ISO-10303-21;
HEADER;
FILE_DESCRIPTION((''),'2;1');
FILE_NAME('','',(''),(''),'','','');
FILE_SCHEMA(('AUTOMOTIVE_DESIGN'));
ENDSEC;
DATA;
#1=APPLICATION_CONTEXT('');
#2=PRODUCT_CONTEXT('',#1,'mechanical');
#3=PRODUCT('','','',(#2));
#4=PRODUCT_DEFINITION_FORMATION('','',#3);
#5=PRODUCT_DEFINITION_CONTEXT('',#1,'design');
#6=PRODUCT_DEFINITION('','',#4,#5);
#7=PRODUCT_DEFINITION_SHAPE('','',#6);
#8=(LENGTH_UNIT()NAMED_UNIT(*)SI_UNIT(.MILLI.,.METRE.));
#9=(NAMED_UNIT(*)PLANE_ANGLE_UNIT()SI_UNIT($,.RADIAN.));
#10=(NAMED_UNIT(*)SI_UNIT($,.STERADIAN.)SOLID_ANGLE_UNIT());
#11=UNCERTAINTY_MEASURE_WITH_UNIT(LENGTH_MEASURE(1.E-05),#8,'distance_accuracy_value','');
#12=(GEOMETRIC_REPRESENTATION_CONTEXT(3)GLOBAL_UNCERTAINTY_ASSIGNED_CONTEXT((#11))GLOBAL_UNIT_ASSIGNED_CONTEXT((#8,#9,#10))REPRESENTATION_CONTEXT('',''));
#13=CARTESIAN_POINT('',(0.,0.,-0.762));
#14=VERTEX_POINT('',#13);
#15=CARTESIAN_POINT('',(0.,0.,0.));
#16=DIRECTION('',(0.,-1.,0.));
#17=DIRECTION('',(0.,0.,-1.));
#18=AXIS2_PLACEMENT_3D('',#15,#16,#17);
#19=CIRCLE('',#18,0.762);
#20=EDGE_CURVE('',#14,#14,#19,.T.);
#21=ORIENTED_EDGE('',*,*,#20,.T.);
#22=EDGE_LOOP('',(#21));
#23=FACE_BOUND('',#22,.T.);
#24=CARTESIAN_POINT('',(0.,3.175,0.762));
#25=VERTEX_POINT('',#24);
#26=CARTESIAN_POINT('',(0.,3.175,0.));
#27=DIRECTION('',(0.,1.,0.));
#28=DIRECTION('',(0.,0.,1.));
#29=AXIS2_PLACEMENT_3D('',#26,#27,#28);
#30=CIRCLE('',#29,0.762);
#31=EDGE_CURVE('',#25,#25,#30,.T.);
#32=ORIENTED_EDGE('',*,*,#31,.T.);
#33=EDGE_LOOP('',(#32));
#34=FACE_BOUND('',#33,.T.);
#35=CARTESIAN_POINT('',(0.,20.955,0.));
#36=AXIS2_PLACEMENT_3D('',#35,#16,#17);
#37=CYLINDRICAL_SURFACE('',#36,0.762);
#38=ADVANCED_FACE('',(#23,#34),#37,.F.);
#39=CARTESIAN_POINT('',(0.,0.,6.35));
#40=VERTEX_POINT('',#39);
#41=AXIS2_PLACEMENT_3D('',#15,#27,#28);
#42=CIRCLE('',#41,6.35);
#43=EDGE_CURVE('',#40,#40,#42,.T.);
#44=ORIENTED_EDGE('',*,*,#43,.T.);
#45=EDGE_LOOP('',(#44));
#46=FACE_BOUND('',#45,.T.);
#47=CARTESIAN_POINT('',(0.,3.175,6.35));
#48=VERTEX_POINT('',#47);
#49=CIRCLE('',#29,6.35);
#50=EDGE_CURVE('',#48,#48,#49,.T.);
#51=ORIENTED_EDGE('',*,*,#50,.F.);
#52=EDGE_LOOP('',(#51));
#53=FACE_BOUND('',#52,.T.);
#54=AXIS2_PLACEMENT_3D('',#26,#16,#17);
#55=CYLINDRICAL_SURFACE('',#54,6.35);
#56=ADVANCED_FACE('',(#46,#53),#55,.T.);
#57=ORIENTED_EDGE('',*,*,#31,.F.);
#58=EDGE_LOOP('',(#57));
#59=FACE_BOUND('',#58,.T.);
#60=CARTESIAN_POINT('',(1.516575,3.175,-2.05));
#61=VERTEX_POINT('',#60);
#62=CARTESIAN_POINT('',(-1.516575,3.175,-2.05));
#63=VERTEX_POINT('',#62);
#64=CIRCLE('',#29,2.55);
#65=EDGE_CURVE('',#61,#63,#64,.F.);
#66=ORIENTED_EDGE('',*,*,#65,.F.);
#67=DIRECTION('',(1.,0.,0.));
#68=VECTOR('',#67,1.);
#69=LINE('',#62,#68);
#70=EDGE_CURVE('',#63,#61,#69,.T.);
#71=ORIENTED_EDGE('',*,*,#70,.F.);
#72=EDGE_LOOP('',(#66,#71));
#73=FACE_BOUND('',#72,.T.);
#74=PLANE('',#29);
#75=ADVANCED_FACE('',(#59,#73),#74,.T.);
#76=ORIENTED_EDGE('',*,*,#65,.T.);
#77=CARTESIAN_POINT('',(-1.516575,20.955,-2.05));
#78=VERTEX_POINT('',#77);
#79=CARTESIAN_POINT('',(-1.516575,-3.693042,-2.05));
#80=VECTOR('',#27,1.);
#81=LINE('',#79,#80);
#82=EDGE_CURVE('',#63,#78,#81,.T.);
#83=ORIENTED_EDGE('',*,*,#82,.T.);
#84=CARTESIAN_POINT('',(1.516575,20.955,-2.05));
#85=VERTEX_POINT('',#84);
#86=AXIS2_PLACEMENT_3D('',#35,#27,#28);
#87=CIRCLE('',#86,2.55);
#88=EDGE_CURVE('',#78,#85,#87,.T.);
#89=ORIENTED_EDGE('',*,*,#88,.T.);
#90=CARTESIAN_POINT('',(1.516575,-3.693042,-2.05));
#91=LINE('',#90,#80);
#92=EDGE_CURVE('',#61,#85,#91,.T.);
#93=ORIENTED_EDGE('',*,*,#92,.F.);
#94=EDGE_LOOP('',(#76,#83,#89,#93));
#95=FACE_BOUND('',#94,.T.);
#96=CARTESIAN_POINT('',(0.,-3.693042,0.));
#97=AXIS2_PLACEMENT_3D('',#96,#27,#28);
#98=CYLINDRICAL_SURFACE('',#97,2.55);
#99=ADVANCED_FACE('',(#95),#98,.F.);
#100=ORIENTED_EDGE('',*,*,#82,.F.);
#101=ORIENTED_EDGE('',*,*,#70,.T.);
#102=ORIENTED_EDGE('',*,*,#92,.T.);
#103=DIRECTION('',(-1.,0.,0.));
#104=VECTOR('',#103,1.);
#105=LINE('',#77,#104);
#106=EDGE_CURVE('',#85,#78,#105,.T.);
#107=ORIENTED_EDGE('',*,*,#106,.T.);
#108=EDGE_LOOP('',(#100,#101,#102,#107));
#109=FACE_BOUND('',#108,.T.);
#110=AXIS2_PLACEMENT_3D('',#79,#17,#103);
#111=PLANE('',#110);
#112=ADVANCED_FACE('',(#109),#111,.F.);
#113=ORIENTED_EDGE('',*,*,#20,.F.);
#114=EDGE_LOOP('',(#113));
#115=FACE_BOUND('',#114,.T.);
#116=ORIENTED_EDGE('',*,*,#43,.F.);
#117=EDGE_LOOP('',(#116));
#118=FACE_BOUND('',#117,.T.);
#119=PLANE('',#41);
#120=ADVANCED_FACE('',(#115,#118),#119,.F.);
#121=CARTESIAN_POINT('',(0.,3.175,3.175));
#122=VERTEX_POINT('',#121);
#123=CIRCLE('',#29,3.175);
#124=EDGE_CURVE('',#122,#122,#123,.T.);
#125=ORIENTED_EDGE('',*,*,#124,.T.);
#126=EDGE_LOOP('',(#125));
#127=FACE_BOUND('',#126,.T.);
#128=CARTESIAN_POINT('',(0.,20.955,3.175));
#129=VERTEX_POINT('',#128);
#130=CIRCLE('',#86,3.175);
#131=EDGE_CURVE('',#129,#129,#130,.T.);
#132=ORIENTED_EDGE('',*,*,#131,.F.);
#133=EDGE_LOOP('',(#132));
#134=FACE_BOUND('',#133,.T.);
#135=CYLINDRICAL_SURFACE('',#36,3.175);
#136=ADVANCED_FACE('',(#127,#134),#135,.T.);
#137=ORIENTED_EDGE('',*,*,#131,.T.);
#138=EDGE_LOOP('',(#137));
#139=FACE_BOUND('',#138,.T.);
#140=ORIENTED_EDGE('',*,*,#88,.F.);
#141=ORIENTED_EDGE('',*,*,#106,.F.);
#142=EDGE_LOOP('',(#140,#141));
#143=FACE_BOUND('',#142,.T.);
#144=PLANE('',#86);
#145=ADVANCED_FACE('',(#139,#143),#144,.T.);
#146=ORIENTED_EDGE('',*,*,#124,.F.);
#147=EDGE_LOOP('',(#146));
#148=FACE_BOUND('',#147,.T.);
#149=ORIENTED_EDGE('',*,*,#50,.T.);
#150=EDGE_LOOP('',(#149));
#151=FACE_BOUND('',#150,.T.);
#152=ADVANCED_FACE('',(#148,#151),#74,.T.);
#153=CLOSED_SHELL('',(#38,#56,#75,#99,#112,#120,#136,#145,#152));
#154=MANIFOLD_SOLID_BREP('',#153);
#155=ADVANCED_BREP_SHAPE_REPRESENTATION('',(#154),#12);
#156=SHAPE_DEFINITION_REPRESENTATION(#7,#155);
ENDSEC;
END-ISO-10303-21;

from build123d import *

# Parameters (mm, degrees)
SKETCH1_R           = 6.35
BOSS_EXTRUDE1_DEPTH = 3.175
SKETCH2_R           = 3.175
BOSS_EXTRUDE2_DEPTH = 17.78
CUT_EXTRUDE1_DEPTH  = 17.78
SKETCH4_R           = 0.762
CUT_EXTRUDE2_DEPTH  = 23.7981803


with BuildPart() as part:
    # Sketch1 → Boss-Extrude1 (new body)
    with BuildSketch(Plane(origin=(0, 0, 0), x_dir=(1, 0, 0), z_dir=(0, 1, 0))):
        with Locations(Location((0, 0, 0), (0, 0, 270))):
            Circle(SKETCH1_R)
    extrude(amount=BOSS_EXTRUDE1_DEPTH)

    # Sketch2 → Boss-Extrude2 (add)
    with BuildSketch(Plane(origin=(0, 3.175, 0), x_dir=(1, 0, 0), z_dir=(0, 1, 0))):
        with Locations(Location((0, 0, 0), (0, 0, 270))):
            Circle(SKETCH2_R)
    extrude(amount=BOSS_EXTRUDE2_DEPTH)

    # Sketch3 → Cut-Extrude1 (cut)
    with BuildSketch(Plane(origin=(0, 20.955, 0), x_dir=(1, 0, 0), z_dir=(0, 1, 0))):
        with BuildLine():
            Line((-1.516575089, 2.05), (1.516575089, 2.05))
            ThreePointArc((1.516575089, 2.05), (0, -2.55), (-1.516575089, 2.05))
        make_face()
    extrude(amount=-CUT_EXTRUDE1_DEPTH, mode=Mode.SUBTRACT)

    # Sketch4 → Cut-Extrude2 (cut, through all)
    with BuildSketch(Plane.XZ):
        with Locations(Location((0, 0, 0), (0, 0, 270))):
            Circle(SKETCH4_R)
    extrude(amount=-CUT_EXTRUDE2_DEPTH, mode=Mode.SUBTRACT)


solid = part.part
